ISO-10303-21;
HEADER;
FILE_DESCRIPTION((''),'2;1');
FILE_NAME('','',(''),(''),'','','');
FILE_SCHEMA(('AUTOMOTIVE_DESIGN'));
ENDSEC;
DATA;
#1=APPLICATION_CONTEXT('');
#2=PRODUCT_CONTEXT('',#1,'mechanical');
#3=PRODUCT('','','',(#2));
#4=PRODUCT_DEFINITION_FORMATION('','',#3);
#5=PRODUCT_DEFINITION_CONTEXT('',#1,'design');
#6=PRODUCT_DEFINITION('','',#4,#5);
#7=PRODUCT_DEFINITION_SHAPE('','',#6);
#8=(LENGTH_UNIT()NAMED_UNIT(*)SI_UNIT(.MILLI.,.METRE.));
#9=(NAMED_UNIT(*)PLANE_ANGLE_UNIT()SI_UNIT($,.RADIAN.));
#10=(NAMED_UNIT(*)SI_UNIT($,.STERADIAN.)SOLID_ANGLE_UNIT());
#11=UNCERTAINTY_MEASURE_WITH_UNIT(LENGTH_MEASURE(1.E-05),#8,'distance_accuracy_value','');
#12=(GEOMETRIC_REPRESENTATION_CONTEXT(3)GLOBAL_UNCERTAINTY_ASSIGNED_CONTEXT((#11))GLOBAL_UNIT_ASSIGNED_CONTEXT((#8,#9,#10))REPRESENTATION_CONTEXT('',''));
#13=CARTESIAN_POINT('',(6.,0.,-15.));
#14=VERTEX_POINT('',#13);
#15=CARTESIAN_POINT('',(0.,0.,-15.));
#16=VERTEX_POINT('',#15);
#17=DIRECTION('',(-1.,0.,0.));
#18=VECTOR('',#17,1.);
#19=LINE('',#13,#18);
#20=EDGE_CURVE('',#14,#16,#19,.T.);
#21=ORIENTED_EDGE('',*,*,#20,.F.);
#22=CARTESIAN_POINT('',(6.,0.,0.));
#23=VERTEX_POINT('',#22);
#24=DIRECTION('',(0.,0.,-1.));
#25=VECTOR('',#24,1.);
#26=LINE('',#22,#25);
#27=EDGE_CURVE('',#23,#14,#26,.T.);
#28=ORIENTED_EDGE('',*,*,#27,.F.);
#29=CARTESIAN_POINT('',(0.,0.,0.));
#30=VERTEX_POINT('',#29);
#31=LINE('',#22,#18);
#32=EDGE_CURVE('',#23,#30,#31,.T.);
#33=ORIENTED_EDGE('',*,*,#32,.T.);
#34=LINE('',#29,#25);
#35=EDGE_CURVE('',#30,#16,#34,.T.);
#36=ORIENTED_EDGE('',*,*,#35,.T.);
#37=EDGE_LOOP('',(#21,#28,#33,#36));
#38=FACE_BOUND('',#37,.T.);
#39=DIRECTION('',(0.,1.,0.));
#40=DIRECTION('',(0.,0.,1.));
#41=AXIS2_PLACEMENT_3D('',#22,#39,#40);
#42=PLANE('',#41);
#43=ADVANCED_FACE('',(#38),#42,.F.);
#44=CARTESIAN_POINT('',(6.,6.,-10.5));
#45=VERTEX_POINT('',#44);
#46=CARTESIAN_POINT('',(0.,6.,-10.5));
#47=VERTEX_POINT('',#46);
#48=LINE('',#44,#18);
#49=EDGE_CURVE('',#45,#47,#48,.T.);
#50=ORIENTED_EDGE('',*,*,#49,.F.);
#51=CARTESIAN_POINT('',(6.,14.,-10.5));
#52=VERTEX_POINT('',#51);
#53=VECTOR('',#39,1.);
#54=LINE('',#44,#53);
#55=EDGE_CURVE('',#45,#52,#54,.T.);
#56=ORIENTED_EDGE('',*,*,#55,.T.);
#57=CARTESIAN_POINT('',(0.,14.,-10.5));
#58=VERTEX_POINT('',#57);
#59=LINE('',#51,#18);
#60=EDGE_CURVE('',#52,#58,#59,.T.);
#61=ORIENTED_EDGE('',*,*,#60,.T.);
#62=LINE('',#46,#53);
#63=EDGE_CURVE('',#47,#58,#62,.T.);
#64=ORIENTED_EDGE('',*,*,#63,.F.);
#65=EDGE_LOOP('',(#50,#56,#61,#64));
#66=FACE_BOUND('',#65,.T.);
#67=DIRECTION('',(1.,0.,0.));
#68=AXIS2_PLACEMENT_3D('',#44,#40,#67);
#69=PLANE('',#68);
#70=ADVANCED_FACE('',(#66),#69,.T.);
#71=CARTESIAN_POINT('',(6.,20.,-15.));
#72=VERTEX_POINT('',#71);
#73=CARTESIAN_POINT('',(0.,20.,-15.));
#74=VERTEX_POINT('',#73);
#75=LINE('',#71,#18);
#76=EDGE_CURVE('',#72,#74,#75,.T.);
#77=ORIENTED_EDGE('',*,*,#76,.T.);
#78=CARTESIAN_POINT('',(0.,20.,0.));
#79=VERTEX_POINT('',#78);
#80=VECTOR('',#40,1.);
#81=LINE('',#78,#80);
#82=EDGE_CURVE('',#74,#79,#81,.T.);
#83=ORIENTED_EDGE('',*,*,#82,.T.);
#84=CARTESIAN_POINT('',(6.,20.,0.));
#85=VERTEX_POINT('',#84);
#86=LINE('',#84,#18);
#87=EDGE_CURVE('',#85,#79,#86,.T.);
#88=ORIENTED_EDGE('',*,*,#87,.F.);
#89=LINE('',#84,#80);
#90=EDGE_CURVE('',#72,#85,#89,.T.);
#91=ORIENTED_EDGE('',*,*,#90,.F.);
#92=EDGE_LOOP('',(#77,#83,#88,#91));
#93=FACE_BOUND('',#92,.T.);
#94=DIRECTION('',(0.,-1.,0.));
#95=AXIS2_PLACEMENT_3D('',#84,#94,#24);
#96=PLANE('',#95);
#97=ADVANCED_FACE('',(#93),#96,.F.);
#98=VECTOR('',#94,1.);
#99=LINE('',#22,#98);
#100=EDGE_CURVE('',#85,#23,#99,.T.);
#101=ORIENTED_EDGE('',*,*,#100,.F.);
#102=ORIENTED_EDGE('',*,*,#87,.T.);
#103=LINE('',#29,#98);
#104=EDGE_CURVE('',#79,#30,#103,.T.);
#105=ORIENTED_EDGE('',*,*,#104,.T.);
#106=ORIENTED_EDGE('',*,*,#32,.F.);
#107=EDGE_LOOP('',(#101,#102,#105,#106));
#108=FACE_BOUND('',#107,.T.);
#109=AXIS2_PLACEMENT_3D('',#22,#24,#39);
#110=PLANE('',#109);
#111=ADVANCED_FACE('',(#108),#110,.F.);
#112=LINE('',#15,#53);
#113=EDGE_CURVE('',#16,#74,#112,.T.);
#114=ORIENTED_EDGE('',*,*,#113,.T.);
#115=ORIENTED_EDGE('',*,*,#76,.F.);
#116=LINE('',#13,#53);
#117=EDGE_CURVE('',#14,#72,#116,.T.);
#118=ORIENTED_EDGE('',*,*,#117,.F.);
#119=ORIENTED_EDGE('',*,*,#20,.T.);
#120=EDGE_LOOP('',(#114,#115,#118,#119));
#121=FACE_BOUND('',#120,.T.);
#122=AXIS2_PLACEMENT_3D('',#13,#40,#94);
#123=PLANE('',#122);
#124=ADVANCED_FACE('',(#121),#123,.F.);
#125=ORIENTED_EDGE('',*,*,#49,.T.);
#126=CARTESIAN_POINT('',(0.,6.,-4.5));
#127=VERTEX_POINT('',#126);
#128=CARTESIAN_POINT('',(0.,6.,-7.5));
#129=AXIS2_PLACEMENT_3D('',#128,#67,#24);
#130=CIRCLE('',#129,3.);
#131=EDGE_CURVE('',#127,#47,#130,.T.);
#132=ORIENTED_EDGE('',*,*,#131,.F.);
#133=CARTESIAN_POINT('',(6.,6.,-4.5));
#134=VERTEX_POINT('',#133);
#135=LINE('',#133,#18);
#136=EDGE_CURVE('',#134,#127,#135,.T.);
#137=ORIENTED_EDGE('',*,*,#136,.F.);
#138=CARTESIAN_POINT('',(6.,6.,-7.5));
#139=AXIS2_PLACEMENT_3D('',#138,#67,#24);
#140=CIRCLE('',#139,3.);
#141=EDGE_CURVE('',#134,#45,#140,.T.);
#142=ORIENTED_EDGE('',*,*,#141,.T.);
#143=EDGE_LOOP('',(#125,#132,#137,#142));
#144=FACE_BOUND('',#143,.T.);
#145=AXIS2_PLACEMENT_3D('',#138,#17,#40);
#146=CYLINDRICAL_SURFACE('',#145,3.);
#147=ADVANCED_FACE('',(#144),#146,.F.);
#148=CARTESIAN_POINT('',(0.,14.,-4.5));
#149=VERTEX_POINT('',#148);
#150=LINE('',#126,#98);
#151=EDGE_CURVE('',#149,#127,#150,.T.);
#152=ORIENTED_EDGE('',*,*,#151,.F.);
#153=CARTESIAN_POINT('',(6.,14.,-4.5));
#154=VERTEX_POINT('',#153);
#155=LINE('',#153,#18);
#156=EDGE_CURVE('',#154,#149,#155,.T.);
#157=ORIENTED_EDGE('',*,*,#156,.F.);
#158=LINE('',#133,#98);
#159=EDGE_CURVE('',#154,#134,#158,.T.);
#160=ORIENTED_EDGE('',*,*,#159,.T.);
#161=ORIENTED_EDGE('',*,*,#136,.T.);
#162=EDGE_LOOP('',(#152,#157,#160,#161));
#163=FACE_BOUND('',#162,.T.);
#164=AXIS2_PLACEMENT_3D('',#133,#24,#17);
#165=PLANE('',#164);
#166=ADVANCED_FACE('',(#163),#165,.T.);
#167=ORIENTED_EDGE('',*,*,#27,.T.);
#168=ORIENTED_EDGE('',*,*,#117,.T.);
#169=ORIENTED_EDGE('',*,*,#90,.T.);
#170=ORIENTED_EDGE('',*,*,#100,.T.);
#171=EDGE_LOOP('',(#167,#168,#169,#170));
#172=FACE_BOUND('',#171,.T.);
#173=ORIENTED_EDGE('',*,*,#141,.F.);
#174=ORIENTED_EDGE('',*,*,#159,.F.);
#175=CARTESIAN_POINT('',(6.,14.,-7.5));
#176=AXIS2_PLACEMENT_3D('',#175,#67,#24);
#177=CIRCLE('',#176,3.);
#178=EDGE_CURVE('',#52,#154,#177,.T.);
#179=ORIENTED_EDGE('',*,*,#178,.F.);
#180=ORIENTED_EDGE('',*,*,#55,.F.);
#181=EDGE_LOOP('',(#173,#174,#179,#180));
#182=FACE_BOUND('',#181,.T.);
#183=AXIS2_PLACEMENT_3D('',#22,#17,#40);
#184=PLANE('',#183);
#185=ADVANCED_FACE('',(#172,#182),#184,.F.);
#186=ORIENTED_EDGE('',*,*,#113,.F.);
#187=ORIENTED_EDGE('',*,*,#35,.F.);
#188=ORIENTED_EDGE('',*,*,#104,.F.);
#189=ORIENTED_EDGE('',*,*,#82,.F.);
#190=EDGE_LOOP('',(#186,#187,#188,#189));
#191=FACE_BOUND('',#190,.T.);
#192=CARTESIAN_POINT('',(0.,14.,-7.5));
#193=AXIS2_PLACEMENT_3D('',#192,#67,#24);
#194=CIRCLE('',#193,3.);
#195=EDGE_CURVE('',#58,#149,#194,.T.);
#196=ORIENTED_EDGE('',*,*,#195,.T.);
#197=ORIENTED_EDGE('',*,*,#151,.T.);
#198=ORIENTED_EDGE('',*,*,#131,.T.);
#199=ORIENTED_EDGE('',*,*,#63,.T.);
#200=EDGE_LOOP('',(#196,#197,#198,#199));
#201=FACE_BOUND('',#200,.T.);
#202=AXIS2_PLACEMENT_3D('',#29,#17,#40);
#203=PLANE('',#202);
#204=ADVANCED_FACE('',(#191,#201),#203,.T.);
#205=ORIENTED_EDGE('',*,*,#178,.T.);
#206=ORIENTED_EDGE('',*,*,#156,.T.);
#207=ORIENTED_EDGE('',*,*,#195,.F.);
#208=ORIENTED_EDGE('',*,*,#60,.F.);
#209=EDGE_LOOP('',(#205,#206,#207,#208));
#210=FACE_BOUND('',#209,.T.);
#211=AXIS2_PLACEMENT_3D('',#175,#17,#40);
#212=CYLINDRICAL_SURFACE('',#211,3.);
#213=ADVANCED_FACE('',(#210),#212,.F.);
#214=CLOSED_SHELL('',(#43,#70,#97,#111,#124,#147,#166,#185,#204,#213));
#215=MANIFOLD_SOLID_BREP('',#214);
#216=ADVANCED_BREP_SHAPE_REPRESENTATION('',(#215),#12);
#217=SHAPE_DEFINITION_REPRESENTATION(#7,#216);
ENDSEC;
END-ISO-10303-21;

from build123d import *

# Parameters (mm, degrees)
SKETCH1_W           = 15
SKETCH1_H           = 20
BOSS_EXTRUDE1_DEPTH = 6


with BuildPart() as part:
    # Sketch1 → Boss-Extrude1 (new body)
    with BuildSketch(Plane(origin=(0, 0, 0), x_dir=(0, 0, -1), z_dir=(1, 0, 0))):
        with Locations((7.5, 10)):
            Rectangle(SKETCH1_W, SKETCH1_H)
        with BuildLine():
            Line((4.5, 6), (4.5, 14))
            ThreePointArc((4.5, 14), (7.5, 17), (10.5, 14))
            Line((10.5, 14), (10.5, 6))
            ThreePointArc((10.5, 6), (7.5, 3), (4.5, 6))
        make_face(mode=Mode.SUBTRACT)
    extrude(amount=BOSS_EXTRUDE1_DEPTH)


solid = part.part
